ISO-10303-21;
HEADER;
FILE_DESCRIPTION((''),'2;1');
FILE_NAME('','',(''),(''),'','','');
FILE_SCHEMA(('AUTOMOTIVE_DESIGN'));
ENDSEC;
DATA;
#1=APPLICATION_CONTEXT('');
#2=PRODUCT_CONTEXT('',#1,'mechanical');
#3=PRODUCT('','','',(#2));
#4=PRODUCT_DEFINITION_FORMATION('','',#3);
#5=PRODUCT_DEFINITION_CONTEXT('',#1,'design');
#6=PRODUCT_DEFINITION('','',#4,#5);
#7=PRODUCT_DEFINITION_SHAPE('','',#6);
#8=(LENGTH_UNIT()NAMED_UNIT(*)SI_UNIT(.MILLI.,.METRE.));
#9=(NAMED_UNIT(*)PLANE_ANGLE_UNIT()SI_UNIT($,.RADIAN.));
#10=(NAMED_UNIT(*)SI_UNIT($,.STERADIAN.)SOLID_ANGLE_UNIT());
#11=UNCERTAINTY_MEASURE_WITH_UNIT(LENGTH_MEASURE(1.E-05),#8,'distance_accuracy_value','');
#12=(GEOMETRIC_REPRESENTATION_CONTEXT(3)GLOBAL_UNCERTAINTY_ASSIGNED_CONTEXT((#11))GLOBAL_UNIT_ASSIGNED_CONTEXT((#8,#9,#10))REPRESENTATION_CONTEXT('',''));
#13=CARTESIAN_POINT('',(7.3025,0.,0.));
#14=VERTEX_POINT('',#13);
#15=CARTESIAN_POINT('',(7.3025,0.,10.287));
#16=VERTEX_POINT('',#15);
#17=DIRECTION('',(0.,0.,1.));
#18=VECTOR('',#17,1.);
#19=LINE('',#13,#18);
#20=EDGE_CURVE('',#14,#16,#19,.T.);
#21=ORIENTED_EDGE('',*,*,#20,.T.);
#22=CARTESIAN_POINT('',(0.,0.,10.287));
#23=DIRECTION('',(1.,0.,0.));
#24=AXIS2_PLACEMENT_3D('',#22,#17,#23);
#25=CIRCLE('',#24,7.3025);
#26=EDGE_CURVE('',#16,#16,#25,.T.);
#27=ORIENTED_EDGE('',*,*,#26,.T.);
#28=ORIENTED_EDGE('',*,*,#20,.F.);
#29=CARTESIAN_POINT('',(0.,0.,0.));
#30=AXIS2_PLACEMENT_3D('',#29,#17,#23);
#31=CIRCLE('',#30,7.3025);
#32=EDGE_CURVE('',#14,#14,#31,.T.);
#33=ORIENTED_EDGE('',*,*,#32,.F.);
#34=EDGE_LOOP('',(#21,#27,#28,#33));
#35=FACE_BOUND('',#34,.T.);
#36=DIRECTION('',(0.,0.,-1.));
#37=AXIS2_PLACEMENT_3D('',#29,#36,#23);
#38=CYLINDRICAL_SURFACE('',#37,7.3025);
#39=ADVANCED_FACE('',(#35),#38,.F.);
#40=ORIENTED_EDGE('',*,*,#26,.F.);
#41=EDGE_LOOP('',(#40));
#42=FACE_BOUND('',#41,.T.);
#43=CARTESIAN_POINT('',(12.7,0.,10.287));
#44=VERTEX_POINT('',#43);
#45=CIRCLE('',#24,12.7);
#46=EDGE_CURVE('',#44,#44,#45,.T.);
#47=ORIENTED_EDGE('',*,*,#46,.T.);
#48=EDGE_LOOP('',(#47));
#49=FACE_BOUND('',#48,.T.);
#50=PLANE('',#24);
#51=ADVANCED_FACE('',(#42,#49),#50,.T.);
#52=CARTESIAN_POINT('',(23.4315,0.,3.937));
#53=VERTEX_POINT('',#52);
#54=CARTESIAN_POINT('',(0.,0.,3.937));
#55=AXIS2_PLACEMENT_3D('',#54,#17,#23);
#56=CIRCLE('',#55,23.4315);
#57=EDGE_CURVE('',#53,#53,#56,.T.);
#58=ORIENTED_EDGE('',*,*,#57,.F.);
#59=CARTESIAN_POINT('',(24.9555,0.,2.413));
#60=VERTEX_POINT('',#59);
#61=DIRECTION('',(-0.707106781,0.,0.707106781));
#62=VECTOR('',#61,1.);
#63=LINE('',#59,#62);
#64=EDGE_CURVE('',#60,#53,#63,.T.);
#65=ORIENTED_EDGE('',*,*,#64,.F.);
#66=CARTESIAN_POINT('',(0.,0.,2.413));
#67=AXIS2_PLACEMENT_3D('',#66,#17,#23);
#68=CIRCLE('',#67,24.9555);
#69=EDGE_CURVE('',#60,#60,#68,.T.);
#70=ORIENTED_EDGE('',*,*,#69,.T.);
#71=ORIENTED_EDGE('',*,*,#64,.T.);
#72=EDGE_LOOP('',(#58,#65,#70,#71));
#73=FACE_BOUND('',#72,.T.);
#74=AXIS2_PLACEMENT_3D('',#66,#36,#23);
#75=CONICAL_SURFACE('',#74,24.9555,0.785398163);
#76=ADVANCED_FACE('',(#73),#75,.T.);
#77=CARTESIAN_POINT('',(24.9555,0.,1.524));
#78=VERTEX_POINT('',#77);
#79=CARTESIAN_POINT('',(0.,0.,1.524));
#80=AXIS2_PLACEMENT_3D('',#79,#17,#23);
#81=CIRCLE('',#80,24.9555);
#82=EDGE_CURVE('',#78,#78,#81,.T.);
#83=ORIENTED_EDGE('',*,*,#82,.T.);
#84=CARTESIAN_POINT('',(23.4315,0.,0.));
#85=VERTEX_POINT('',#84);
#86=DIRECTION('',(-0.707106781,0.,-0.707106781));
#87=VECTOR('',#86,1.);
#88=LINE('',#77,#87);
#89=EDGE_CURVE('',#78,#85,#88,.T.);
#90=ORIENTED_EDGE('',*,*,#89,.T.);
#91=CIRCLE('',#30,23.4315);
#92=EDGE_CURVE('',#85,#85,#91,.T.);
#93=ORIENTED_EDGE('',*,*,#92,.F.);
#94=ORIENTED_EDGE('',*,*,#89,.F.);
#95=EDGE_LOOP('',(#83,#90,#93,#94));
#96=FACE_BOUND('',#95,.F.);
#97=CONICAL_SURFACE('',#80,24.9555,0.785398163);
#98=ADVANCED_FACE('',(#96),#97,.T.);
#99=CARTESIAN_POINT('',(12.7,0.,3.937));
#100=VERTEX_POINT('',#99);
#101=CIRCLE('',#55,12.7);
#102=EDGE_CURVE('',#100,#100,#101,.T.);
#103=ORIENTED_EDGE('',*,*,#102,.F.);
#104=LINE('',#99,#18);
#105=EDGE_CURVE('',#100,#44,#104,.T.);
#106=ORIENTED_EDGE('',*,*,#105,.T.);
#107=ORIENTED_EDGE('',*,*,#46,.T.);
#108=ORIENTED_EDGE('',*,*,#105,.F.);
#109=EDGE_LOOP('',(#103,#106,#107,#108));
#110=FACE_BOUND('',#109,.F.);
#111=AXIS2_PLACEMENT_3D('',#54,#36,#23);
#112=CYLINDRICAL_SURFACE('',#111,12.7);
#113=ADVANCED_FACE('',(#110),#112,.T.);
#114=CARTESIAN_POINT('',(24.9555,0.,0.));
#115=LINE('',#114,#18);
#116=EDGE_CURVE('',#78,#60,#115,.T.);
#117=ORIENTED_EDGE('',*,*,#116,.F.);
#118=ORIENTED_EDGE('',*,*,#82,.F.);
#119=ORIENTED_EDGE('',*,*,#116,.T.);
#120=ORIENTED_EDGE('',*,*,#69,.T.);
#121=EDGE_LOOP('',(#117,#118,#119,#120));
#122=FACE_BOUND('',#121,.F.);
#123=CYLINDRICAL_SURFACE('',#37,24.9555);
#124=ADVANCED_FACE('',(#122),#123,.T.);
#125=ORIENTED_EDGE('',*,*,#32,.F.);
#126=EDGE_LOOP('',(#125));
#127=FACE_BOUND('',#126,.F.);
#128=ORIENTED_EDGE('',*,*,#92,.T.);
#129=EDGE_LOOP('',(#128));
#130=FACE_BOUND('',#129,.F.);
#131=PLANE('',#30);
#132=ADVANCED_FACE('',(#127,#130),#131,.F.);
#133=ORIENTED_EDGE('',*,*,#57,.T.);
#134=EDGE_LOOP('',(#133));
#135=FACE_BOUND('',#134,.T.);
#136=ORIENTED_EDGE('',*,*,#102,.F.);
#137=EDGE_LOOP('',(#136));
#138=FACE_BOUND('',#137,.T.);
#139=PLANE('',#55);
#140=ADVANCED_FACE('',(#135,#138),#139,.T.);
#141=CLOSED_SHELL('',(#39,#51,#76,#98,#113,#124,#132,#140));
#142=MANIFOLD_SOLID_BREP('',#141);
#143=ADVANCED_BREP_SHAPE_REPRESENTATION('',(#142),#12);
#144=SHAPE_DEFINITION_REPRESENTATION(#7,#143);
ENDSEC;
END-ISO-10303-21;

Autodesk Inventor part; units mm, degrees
ref_plane "YZ Plane" through (0, 0, 0) normal (1, 0, 0) x (0, 1, 0)
ref_plane "XZ Plane" through (0, 0, 0) normal (0, 1, 0) x (-1, 0, 0)
ref_plane "XY Plane" through (0, 0, 0) normal (0, 0, 1) x (1, 0, 0)
sketch "Sketch1" plane through (0, 0, 0) normal (0, 0, 1) x (1, 0, 0)
  circle A0 centre (0, 0) radius 24.9555
  circle A1 centre (0, 0) radius 7.3025
  dimension "d0" = 49.911
  dimension "d2" = 14.605
extrude "Extrusion1" add sketch "Sketch1" along normal blind 3.937
sketch "Sketch2" plane through (0, 0, 3.937) normal (0, 0, 1) x (1, 0, 0)
  circle A0 centre (0, 0) radius 7.3025
  circle A1 centre (0, 0) radius 12.7
  dimension "d5" = 25.4
extrude "Extrusion2" add sketch "Sketch2" along normal blind 6.35
chamfer "Chamfer1" distance 1.524 angle 45 1 edges at (-24.9555, 0, 3.937)
chamfer "Chamfer2" distance 1.524 angle 45 1 edges at (-24.9555, 0, 0)
properties part number "Sprocket Large"
